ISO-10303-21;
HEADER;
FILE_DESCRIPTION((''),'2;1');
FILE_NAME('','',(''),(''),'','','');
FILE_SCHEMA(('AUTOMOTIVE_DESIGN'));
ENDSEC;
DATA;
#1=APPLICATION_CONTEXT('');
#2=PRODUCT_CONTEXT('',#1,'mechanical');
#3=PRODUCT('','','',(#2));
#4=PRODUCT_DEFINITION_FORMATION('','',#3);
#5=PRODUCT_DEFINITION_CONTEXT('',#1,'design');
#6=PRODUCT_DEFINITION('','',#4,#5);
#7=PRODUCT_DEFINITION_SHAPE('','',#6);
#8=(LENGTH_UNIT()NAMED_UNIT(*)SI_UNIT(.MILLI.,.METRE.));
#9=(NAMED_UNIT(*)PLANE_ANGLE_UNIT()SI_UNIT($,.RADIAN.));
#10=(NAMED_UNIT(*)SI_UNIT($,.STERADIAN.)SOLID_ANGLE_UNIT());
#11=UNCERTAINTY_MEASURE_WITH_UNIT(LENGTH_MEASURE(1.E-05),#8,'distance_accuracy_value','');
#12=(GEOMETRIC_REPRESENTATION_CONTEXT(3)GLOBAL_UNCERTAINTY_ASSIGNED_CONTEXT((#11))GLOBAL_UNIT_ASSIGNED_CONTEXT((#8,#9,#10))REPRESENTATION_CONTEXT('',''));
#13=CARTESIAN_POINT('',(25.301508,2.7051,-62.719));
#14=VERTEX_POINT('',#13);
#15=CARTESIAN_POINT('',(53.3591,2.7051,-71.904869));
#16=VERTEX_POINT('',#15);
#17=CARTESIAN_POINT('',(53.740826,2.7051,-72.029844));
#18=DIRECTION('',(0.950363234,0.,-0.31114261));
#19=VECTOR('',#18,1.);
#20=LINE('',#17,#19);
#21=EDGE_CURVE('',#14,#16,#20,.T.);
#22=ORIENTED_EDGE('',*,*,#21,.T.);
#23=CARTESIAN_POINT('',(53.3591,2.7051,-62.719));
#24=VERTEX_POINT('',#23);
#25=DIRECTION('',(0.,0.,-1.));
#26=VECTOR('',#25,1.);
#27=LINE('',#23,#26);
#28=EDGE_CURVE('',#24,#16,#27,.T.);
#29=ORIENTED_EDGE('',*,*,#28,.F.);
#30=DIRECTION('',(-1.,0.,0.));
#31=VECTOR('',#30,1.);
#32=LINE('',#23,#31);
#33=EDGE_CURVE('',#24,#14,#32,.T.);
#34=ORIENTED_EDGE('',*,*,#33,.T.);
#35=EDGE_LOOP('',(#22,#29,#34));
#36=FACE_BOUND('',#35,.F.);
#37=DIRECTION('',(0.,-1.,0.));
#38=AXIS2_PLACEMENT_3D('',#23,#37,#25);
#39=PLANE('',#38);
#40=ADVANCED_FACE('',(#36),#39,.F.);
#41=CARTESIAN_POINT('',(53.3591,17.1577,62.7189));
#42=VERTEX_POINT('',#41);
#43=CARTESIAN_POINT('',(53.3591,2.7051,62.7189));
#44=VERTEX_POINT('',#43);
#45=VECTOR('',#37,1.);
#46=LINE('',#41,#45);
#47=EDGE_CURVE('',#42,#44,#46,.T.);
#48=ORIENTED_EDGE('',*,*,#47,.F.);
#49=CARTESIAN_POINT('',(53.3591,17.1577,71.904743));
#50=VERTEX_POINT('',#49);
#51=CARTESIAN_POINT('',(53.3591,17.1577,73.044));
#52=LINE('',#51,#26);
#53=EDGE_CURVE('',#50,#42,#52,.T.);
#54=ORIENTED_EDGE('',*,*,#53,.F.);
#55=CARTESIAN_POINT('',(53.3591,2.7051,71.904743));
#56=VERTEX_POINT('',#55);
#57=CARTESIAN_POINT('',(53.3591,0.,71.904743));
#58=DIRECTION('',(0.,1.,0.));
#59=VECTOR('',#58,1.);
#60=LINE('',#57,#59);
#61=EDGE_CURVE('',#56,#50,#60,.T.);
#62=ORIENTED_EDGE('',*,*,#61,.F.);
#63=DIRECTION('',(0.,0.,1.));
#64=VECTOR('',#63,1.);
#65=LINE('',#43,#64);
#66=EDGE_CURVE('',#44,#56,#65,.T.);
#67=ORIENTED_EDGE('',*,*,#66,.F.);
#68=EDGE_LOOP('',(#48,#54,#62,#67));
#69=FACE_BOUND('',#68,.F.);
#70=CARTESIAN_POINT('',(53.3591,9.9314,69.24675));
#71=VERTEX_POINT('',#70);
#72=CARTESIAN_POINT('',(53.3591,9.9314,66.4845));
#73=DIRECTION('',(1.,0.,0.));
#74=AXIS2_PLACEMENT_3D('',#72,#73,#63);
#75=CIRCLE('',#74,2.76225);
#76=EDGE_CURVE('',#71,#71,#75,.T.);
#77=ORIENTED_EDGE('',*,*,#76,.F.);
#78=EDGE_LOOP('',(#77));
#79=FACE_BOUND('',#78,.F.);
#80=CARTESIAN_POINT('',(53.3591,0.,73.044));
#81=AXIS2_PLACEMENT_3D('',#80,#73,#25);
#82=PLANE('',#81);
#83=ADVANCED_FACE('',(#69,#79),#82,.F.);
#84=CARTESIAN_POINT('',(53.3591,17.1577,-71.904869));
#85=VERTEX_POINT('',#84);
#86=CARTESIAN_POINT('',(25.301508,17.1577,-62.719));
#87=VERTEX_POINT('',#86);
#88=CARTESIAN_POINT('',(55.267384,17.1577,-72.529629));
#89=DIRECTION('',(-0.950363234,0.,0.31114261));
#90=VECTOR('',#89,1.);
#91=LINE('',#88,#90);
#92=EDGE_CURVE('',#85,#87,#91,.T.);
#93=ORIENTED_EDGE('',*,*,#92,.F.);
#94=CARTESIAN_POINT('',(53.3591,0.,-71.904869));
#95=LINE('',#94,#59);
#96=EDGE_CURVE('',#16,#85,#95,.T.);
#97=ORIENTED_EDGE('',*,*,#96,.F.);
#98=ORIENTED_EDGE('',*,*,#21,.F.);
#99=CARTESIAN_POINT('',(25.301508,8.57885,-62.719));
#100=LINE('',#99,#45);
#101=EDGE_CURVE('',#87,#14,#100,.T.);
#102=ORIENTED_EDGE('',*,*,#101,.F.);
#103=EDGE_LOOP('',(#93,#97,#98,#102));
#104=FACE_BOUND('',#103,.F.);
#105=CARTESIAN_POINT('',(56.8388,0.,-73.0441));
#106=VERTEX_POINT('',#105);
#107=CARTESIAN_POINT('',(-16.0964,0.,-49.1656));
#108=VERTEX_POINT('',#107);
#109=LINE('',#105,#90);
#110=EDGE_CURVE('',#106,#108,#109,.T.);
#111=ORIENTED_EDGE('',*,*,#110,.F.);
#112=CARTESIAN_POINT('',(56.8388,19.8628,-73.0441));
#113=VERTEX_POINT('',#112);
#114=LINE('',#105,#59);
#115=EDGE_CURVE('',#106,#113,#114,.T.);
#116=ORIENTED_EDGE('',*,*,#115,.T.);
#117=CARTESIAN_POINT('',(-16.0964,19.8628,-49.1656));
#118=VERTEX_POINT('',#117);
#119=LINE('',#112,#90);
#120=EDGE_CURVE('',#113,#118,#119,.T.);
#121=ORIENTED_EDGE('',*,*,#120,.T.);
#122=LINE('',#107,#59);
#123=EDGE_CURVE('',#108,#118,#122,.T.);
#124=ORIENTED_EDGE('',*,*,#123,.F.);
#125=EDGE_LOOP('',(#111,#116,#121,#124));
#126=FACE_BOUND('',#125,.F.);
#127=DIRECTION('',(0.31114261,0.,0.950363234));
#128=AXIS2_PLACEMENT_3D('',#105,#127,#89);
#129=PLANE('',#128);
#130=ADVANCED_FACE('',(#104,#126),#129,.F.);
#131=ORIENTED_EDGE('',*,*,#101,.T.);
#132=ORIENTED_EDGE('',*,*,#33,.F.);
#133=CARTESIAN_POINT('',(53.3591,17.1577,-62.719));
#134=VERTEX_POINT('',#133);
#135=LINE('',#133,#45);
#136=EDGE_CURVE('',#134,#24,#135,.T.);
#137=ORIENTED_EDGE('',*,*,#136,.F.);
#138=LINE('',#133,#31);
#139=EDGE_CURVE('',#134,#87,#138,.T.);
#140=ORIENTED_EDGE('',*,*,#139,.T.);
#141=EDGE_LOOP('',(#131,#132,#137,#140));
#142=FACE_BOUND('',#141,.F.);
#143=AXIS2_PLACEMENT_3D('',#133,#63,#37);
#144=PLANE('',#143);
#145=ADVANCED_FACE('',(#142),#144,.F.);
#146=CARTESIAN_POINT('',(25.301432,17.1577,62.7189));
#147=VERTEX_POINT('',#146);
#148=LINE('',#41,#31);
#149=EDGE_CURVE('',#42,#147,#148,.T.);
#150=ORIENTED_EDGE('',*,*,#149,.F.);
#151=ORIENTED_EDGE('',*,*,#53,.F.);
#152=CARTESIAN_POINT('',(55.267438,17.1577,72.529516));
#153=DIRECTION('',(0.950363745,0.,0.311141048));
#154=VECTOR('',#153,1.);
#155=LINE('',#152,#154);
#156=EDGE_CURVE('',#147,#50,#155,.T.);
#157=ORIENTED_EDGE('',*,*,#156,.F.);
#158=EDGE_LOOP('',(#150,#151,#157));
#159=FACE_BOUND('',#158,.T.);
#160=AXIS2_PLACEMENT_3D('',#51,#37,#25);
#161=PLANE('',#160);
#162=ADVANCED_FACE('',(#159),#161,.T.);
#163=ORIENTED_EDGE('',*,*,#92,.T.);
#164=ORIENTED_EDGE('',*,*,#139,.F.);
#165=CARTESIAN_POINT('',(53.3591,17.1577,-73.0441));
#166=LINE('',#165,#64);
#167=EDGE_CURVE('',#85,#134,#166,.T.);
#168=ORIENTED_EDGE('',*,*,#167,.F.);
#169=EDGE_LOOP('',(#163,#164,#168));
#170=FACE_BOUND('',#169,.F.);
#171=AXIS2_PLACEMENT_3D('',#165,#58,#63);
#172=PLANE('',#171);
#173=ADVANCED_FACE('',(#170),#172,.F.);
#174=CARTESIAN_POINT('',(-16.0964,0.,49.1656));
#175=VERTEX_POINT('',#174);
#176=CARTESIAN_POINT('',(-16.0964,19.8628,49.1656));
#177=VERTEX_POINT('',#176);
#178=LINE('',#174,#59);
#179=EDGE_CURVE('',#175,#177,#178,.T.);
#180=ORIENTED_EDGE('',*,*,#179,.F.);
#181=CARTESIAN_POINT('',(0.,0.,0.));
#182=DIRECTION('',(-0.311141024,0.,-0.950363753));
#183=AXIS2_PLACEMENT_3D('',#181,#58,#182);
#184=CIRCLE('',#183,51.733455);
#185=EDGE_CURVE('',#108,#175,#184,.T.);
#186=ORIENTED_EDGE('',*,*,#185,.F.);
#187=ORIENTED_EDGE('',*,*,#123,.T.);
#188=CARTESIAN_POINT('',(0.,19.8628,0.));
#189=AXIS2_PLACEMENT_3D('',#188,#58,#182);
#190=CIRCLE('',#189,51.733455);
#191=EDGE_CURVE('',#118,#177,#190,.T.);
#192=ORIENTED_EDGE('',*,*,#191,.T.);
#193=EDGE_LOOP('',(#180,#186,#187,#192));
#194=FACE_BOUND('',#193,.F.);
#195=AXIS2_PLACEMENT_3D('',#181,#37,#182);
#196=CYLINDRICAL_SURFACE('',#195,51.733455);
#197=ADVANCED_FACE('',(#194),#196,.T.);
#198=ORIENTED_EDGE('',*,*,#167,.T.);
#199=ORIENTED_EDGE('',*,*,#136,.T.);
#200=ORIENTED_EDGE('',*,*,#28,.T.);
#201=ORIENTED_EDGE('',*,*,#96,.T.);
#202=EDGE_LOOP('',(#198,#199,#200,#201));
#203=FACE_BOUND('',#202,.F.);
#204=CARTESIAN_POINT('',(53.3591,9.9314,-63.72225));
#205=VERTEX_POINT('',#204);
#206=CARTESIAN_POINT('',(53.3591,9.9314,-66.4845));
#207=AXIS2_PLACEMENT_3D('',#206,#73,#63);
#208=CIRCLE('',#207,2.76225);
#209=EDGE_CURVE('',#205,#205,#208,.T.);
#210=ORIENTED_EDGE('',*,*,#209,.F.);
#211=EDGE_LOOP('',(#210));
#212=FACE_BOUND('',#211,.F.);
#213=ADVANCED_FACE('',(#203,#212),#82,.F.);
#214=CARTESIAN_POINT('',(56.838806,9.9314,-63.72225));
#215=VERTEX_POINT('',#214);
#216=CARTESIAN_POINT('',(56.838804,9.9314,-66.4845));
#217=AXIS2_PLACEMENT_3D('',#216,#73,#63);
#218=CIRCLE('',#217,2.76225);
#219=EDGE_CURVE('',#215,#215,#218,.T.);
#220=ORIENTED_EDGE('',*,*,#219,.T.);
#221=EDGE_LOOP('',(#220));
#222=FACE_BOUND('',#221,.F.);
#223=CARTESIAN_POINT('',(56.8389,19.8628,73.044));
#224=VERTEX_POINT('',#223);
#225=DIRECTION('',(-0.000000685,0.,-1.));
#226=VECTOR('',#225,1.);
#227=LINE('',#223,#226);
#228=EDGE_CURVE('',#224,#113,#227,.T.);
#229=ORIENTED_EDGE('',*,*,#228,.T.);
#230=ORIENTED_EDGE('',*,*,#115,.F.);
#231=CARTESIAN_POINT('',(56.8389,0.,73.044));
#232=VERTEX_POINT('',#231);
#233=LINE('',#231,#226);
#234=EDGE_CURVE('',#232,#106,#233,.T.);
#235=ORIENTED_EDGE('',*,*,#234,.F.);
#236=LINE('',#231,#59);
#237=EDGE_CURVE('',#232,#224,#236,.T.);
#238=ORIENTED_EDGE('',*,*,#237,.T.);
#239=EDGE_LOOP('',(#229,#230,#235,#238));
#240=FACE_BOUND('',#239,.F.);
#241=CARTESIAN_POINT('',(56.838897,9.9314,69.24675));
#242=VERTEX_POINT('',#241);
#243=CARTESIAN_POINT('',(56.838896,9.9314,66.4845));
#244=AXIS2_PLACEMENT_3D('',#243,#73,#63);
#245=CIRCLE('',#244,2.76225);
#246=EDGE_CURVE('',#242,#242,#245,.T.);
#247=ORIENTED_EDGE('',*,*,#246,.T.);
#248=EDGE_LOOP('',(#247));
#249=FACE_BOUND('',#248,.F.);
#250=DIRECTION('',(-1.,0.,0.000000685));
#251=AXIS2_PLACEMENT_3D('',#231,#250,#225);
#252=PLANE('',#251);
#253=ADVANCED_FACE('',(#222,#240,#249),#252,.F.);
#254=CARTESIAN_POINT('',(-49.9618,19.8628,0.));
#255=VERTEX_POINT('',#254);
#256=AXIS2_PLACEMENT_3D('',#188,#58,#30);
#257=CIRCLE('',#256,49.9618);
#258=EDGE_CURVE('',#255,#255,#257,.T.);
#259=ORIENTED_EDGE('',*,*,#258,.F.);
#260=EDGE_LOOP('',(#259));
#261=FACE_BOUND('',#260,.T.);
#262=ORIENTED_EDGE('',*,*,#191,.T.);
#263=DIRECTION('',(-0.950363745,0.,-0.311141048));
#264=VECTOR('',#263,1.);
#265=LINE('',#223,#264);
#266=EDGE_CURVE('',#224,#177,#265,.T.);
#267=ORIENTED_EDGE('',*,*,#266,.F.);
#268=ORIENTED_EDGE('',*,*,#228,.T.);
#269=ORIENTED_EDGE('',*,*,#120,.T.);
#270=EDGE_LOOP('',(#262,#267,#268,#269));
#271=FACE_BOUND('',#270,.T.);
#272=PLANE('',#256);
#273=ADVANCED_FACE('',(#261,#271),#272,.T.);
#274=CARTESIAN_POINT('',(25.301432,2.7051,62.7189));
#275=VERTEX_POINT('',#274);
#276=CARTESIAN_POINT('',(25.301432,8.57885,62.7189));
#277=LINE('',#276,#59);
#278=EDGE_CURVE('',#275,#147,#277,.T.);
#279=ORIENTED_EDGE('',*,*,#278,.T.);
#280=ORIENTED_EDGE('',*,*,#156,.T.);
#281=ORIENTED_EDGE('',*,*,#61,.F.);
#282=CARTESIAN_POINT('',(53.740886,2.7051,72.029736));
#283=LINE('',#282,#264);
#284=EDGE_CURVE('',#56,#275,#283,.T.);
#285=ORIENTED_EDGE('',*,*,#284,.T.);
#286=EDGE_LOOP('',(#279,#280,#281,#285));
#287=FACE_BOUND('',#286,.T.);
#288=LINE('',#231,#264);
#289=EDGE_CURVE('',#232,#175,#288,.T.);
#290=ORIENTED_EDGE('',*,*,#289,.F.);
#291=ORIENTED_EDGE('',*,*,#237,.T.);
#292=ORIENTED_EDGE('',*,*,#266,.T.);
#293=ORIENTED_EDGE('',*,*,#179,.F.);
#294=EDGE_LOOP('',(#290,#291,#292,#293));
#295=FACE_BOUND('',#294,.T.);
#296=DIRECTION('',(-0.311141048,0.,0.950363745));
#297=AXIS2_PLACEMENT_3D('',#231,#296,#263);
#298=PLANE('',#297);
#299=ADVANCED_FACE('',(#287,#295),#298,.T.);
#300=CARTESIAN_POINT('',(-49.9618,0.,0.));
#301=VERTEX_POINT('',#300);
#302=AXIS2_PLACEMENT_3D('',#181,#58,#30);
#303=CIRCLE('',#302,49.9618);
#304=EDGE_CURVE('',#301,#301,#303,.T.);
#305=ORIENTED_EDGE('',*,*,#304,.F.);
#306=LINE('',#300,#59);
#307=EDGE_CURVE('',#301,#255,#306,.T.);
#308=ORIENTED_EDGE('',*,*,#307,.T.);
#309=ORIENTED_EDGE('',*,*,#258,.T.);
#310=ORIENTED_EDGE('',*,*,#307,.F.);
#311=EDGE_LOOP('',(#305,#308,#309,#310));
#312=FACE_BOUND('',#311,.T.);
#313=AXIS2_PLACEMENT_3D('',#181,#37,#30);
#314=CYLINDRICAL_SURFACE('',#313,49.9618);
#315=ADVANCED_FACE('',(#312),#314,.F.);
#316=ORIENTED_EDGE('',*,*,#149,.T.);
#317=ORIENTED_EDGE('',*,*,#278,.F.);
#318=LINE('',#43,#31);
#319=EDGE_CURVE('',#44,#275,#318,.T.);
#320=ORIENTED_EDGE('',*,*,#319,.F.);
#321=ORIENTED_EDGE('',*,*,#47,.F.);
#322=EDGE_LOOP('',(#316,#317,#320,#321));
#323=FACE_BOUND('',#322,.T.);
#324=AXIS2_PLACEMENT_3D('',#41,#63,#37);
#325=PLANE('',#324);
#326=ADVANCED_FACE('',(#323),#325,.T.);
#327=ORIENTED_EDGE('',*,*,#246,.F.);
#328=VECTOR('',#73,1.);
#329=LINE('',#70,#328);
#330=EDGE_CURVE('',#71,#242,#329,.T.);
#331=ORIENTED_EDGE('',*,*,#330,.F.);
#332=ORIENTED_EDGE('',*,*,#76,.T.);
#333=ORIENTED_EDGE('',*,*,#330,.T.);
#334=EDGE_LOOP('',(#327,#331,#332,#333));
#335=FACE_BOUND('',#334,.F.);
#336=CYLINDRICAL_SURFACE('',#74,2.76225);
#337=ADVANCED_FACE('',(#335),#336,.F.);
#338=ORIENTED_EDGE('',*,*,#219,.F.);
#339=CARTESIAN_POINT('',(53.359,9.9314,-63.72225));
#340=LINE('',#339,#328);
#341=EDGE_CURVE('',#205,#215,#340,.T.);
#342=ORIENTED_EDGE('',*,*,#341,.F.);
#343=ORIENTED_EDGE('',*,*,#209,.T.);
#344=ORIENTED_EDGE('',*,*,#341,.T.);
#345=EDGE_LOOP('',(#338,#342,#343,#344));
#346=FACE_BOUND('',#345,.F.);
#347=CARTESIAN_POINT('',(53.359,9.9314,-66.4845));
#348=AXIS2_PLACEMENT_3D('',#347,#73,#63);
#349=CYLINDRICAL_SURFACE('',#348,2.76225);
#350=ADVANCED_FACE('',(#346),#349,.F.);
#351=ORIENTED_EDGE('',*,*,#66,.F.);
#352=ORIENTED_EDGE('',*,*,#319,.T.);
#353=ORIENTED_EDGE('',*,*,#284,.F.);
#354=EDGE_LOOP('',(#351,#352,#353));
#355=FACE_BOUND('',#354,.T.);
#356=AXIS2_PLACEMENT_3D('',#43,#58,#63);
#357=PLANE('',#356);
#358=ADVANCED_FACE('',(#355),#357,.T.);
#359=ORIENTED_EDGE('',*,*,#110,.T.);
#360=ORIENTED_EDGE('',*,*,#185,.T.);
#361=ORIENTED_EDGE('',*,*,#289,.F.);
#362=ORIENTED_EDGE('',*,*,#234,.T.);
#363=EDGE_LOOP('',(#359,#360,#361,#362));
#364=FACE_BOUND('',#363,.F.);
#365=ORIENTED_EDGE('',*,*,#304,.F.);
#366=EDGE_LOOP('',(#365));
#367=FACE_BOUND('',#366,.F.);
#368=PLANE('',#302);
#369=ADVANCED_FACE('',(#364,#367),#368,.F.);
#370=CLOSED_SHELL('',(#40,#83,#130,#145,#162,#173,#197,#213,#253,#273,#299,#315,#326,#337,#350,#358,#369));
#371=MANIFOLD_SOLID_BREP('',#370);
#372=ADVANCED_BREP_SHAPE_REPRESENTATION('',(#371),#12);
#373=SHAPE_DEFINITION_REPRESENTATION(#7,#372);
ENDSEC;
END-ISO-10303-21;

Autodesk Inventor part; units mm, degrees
ref_plane "YZ Plane" through (0, 0, 0) normal (1, 0, 0) x (0, 1, 0)
ref_plane "XZ Plane" through (0, 0, 0) normal (0, 1, 0) x (-1, 0, 0)
sketch "Sketch1" plane through (0, 0, 0) normal (0, 1, 0) x (-1, 0, 0)
  circle A0 centre (0, 0) radius 49.9618
  arc A1 (16.0964, -49.1656) -> (16.0964, 49.1656) centre (0, 0) ccw
  line L0 (-56.8389, 73.044) -> (-56.8388, -73.0441)
  line L1 (-56.8388, 0) -> (0, 0) construction
  line L2 (-56.8389, 73.044) -> (16.0964, 49.1656)
  line L3 (-56.8388, -73.0441) -> (16.0964, -49.1656)
  line L4 (-51.7335, 42.7443) -> (-51.7334, -42.7443) construction
  dimension "d0" = 99.9236
  dimension "d1" = 103.4669
  dimension "d2" = 146.0881
  dimension "d3" = 5.1054
extrude "Extrusion1" add sketch "Sketch1" along normal blind 19.8628
ref_plane "Work Plane1" through (53.3591, 0, 73.044) normal (1, 0, 0) x (0, 0, -1)
sketch "Sketch2" plane through (53.3591, 0, 73.044) normal (1, 0, 0) x (0, 0, -1)
  line L0 (146.0881, 0) -> (146.0881, 19.8628) construction
  line L1 (146.0881, 19.8628) -> (122.2096, 19.8628) construction
  line L2 (146.0881, 0) -> (122.2096, 0) construction
  line L3 (23.8785, 19.8628) -> (0, 19.8628) construction
  line L4 (23.8785, 0) -> (0, 0) construction
  line L5 (0, 0) -> (0, 19.8628) construction
  line L6 (23.8785, 0) -> (23.8785, 19.8628) construction
  line L7 (122.2096, 0) -> (122.2096, 19.8628) construction
  line L8 (146.0881, 17.1577) -> (135.763, 17.1577)
  line L9 (135.763, 17.1577) -> (135.763, 2.7051)
  line L10 (135.763, 2.7051) -> (146.0881, 2.7051)
  line L11 (146.0881, 2.7051) -> (146.0881, 17.1577)
  line L12 (0, 17.1577) -> (10.3251, 17.1577)
  line L13 (10.3251, 17.1577) -> (10.3251, 2.7051)
  line L14 (10.3251, 2.7051) -> (0, 2.7051)
  line L15 (0, 2.7051) -> (0, 17.1577)
  point P0 (73.044, 0)
  dimension "d7" = 2.7051
  dimension "d8" = 2.7051
  dimension "d19" = 10.3251
extrude "Extrusion2" cut sketch "Sketch2" against normal blind 76.2
sketch "Sketch3" plane through (53.3591, 0, 73.044) normal (1, 0, 0) x (0, 0, -1)
  line L0 (139.5285, 9.9314) -> (6.5596, 9.9314) construction
  line L1 (73.044, 0) -> (73.044, 9.9314) construction
  line L2 (135.763, 17.1577) -> (135.763, 2.7051) construction
  line L3 (144.9488, 17.1577) -> (135.763, 17.1577) construction
  line L4 (10.3251, 17.1577) -> (1.1393, 17.1577) construction
  line L5 (144.9488, 17.1577) -> (135.763, 17.1577) construction
  point P0 (73.044, 4.9657)
  point P1 (135.763, 9.9314)
  dimension "Cap_Mount_Hole_Spacing" = 132.969
hole "Hole1" at (53.359, 9.9314, -66.4845) at (53.3591, 9.9314, 66.4845) direction (1, 0, 0) diameter 5.5245 end through all clearance for "Socket Head Cap Screw" size "#10" standard "Ansi Unified Screw Threads"
equation "\"d0\" = Diameter"
equation "\"d8\" = d7"
equation "\"Diameter\" = 99.9236"
properties part number "Cap_Mount" material "Polycarbonate, Clear"
